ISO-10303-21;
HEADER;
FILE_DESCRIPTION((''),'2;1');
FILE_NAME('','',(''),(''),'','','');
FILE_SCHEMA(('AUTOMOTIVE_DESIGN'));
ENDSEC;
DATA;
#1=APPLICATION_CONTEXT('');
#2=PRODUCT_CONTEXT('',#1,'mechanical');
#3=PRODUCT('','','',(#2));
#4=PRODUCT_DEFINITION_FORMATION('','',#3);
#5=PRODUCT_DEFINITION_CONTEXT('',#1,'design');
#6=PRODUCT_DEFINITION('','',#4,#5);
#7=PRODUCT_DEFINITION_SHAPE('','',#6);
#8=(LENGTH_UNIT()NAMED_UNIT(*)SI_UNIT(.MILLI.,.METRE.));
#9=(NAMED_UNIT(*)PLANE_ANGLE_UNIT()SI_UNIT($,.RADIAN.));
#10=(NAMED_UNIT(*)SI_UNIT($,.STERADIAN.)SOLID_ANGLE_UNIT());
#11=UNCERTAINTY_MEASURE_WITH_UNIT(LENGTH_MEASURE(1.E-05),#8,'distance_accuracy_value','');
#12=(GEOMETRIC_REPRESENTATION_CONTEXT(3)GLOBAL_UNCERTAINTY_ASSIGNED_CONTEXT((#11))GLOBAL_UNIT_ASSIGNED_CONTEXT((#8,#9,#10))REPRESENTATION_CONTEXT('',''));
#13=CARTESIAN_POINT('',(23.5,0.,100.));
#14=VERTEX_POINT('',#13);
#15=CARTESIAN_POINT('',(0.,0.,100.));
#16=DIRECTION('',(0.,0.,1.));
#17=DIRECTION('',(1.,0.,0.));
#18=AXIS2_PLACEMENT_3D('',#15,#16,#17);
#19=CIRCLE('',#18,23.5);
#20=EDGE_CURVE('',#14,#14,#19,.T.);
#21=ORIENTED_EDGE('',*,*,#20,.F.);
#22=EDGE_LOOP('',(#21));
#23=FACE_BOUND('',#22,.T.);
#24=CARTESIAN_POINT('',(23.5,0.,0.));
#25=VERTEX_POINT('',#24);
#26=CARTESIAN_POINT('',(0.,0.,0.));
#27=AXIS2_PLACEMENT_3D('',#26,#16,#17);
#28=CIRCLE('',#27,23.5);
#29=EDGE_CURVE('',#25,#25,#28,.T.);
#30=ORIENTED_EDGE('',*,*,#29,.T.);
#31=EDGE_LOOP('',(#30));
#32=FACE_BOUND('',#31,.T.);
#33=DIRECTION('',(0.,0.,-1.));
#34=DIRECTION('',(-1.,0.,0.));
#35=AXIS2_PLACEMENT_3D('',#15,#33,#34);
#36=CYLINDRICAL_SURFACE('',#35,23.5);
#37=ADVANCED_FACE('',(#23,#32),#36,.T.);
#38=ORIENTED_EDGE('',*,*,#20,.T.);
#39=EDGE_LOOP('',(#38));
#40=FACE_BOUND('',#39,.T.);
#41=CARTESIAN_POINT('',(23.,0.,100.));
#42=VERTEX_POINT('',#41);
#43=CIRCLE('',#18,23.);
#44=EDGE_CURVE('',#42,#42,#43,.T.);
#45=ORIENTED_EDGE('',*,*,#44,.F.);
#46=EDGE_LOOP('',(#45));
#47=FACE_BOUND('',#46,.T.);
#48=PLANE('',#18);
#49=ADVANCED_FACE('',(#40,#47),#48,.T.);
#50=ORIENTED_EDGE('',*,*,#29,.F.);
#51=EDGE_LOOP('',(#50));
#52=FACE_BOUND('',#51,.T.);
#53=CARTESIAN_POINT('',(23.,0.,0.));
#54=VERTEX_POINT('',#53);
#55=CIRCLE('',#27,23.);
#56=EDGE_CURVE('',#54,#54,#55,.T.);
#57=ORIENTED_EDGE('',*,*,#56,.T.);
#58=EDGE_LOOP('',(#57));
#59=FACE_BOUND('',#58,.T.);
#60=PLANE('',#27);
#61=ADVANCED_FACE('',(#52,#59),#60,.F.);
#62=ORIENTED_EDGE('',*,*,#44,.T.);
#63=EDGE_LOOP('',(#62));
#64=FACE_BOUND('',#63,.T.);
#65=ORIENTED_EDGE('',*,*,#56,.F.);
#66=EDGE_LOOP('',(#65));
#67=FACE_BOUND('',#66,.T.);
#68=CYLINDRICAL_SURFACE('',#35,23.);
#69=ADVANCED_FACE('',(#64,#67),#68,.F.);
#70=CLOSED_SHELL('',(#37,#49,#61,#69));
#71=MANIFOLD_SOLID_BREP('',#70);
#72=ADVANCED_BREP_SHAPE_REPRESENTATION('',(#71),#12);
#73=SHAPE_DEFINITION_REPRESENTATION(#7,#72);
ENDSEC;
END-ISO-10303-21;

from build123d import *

# Parameters (mm, degrees)
CROQUIS1_R              = 23.5
CROQUIS1_R_2            = 23
SALIENTE_EXTRUIR1_DEPTH = 100


with BuildPart() as part:
    # Croquis1 → Saliente-Extruir1 (new body)
    with BuildSketch(Plane.XY):
        Circle(CROQUIS1_R)
        Circle(CROQUIS1_R_2, mode=Mode.SUBTRACT)
    extrude(amount=SALIENTE_EXTRUIR1_DEPTH)


solid = part.part
